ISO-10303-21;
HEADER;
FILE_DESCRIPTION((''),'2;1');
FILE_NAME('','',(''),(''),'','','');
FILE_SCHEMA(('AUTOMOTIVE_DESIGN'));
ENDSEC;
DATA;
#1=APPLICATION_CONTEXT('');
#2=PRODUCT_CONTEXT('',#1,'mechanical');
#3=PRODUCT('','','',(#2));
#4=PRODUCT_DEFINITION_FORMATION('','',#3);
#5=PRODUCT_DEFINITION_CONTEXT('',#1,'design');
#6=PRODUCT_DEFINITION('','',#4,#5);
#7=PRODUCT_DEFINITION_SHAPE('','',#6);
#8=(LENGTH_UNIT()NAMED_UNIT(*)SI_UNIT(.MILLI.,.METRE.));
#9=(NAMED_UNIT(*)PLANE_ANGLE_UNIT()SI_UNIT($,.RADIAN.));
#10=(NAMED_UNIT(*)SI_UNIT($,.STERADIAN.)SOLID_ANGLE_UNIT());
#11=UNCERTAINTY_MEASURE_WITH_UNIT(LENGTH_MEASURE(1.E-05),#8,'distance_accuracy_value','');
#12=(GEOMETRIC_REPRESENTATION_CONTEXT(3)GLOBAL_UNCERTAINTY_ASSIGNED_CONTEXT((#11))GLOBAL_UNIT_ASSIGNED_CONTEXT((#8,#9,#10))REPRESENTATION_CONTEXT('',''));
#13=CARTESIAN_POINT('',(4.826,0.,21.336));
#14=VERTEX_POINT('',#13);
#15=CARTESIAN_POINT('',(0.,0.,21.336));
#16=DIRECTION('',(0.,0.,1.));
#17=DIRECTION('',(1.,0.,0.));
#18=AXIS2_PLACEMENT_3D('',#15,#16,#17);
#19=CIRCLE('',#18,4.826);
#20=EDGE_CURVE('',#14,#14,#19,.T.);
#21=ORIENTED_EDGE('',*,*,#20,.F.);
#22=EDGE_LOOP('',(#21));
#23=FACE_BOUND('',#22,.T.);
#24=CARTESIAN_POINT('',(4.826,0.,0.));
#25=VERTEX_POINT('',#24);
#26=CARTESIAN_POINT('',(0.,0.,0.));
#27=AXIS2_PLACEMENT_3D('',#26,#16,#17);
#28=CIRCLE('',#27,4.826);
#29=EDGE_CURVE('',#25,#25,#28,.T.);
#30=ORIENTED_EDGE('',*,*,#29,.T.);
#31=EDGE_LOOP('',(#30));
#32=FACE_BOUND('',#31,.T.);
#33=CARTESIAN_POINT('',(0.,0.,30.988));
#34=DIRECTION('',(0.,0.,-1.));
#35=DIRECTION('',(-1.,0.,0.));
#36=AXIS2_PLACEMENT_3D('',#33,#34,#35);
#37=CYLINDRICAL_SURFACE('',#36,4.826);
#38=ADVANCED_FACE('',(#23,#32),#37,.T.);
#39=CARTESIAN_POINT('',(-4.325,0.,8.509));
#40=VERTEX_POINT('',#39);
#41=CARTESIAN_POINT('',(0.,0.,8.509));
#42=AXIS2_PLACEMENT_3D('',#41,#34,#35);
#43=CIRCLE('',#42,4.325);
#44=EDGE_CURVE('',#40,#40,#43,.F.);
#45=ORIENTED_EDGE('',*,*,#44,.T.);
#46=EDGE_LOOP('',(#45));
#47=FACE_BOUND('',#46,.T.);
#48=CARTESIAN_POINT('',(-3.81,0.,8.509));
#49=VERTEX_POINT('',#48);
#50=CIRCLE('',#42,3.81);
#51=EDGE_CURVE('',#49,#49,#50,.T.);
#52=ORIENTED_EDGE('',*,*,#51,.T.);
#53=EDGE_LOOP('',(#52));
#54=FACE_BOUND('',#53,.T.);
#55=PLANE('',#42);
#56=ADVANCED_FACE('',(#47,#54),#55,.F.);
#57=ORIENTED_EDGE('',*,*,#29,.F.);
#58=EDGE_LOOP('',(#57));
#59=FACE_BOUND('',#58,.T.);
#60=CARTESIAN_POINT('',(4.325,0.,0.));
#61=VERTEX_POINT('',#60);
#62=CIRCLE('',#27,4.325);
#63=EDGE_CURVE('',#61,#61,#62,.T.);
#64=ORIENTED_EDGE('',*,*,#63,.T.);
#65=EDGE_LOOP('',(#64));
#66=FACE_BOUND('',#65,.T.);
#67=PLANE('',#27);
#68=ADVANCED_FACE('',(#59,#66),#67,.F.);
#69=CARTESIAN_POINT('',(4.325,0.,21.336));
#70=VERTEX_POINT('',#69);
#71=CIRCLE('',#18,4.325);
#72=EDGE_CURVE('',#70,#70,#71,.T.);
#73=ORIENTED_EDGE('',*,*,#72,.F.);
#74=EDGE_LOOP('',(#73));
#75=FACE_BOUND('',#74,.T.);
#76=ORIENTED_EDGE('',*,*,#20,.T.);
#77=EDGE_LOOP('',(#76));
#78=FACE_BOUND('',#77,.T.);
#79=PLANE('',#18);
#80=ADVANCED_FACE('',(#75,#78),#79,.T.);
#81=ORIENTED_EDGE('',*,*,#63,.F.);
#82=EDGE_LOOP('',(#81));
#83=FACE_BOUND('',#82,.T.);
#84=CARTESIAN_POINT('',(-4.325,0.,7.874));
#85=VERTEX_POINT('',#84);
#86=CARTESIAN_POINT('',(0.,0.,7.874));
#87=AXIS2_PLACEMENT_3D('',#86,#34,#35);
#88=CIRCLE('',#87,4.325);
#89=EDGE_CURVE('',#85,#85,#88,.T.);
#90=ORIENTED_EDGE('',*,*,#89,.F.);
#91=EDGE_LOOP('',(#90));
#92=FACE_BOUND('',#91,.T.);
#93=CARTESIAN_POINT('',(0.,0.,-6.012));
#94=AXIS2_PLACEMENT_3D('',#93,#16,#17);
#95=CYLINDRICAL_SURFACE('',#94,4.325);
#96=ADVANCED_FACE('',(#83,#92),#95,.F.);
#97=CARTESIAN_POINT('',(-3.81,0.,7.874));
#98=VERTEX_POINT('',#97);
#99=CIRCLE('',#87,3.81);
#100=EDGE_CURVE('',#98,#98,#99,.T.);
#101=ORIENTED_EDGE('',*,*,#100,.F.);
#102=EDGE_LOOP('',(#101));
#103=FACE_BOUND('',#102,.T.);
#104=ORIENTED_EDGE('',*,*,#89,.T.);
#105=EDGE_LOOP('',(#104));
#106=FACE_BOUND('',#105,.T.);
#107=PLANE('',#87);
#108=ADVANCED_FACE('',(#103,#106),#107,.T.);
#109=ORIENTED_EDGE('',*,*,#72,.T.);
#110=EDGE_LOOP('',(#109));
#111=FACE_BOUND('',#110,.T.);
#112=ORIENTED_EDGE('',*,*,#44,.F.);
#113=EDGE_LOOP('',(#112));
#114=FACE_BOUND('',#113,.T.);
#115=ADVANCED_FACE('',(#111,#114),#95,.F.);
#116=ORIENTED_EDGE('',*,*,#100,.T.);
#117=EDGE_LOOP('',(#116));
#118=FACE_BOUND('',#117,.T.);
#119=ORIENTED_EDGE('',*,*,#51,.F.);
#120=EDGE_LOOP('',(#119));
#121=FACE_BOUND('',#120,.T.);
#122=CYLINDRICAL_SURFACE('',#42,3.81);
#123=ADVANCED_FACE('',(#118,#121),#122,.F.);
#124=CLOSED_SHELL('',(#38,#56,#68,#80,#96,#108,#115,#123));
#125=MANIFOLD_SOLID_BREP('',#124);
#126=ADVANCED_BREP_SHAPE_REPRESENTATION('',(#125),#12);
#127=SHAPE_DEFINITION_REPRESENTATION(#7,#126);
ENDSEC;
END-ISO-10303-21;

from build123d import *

# Parameters (mm, degrees)
SKETCH1_R           = 4.826
BOSS_EXTRUDE1_DEPTH = 30.988
SKETCH2_R           = 4.325
CUT_EXTRUDE1_DEPTH  = 37
SKETCH3_R           = 4.826
SKETCH3_R_2         = 4.325
CUT_EXTRUDE2_DEPTH  = 9.652
SKETCH5_R           = 4.325
SKETCH5_R_2         = 3.81
BOSS_EXTRUDE3_DEPTH = 0.635


with BuildPart() as part:
    # Sketch1 → Boss-Extrude1 (new body)
    with BuildSketch(Plane.XY):
        Circle(SKETCH1_R)
    extrude(amount=BOSS_EXTRUDE1_DEPTH)

    # Sketch2 → Cut-Extrude1 (cut)
    with BuildSketch(Plane.XY.offset(30.988)):
        Circle(SKETCH2_R)
    extrude(amount=-CUT_EXTRUDE1_DEPTH, mode=Mode.SUBTRACT)

    # Sketch3 → Cut-Extrude2 (cut)
    with BuildSketch(Plane.XY.offset(30.988)):
        Circle(SKETCH3_R)
        Circle(SKETCH3_R_2, mode=Mode.SUBTRACT)
    extrude(amount=-CUT_EXTRUDE2_DEPTH, mode=Mode.SUBTRACT)

    # Sketch5 → Boss-Extrude3 (add)
    with BuildSketch(Plane(origin=(0, 0, 7.874), x_dir=(-1, 0, 0), z_dir=(0, 0, -1))):
        Circle(SKETCH5_R)
        Circle(SKETCH5_R_2, mode=Mode.SUBTRACT)
    extrude(amount=-BOSS_EXTRUDE3_DEPTH)


solid = part.part
